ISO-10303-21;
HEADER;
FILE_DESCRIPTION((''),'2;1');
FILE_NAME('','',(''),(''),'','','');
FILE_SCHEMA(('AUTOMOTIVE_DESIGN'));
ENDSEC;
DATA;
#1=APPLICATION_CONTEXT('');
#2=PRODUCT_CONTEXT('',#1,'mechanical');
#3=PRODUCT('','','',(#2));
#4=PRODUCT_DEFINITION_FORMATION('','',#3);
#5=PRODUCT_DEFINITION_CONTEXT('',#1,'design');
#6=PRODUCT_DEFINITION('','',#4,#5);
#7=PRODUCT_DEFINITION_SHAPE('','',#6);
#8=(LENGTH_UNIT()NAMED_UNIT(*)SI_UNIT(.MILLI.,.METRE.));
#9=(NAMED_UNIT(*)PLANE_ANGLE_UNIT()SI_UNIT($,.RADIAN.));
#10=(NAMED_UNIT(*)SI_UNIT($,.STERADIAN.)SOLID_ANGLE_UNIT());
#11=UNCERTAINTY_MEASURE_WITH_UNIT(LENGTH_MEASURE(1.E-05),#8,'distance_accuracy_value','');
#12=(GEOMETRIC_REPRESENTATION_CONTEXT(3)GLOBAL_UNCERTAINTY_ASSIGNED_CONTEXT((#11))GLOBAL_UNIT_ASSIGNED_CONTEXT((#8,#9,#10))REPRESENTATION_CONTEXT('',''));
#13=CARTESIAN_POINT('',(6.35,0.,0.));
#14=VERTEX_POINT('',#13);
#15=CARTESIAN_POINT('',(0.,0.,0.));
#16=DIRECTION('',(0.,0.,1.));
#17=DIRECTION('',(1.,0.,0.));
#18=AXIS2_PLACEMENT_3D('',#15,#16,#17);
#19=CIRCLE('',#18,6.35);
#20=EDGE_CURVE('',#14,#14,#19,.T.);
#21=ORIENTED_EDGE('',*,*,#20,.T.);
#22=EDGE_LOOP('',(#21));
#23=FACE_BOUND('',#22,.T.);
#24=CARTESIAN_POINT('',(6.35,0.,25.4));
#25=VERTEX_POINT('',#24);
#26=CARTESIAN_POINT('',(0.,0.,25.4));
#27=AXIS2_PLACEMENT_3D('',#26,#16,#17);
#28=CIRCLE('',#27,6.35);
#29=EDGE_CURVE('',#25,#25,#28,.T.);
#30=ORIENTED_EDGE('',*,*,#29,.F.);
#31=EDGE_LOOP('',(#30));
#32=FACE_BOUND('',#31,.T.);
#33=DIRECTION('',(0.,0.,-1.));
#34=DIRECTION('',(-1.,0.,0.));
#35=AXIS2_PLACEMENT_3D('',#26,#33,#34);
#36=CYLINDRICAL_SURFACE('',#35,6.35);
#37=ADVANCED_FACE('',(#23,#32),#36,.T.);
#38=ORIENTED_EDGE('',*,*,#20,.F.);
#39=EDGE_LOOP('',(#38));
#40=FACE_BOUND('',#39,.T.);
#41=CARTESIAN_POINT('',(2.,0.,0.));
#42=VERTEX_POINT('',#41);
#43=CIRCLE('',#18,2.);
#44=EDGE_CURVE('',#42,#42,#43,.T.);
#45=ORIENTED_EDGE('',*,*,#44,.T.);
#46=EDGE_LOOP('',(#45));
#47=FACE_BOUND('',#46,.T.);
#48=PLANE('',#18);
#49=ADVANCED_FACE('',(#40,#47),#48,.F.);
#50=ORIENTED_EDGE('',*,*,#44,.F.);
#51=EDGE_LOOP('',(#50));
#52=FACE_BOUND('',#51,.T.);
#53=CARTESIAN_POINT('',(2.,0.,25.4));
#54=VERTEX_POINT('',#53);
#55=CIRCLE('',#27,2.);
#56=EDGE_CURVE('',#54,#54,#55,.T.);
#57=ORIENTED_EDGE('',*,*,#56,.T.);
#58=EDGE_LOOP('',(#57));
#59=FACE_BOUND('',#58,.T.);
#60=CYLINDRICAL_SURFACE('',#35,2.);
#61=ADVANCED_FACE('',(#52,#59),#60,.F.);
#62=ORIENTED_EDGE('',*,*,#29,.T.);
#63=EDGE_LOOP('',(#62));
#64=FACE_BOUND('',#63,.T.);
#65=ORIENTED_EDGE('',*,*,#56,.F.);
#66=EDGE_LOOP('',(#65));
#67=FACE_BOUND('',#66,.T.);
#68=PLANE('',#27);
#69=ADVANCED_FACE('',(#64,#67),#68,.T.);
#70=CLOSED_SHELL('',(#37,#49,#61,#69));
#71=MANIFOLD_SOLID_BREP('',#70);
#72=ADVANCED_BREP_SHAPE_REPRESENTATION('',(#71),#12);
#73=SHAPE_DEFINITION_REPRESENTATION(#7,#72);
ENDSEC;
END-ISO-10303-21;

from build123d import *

# Parameters (mm, degrees)
SKETCH1_R           = 6.35
SKETCH1_R_2         = 2
BOSS_EXTRUDE1_DEPTH = 25.4


with BuildPart() as part:
    # Sketch1 → Boss-Extrude1 (new body)
    with BuildSketch(Plane.XY):
        Circle(SKETCH1_R)
        Circle(SKETCH1_R_2, mode=Mode.SUBTRACT)
    extrude(amount=BOSS_EXTRUDE1_DEPTH)


solid = part.part
